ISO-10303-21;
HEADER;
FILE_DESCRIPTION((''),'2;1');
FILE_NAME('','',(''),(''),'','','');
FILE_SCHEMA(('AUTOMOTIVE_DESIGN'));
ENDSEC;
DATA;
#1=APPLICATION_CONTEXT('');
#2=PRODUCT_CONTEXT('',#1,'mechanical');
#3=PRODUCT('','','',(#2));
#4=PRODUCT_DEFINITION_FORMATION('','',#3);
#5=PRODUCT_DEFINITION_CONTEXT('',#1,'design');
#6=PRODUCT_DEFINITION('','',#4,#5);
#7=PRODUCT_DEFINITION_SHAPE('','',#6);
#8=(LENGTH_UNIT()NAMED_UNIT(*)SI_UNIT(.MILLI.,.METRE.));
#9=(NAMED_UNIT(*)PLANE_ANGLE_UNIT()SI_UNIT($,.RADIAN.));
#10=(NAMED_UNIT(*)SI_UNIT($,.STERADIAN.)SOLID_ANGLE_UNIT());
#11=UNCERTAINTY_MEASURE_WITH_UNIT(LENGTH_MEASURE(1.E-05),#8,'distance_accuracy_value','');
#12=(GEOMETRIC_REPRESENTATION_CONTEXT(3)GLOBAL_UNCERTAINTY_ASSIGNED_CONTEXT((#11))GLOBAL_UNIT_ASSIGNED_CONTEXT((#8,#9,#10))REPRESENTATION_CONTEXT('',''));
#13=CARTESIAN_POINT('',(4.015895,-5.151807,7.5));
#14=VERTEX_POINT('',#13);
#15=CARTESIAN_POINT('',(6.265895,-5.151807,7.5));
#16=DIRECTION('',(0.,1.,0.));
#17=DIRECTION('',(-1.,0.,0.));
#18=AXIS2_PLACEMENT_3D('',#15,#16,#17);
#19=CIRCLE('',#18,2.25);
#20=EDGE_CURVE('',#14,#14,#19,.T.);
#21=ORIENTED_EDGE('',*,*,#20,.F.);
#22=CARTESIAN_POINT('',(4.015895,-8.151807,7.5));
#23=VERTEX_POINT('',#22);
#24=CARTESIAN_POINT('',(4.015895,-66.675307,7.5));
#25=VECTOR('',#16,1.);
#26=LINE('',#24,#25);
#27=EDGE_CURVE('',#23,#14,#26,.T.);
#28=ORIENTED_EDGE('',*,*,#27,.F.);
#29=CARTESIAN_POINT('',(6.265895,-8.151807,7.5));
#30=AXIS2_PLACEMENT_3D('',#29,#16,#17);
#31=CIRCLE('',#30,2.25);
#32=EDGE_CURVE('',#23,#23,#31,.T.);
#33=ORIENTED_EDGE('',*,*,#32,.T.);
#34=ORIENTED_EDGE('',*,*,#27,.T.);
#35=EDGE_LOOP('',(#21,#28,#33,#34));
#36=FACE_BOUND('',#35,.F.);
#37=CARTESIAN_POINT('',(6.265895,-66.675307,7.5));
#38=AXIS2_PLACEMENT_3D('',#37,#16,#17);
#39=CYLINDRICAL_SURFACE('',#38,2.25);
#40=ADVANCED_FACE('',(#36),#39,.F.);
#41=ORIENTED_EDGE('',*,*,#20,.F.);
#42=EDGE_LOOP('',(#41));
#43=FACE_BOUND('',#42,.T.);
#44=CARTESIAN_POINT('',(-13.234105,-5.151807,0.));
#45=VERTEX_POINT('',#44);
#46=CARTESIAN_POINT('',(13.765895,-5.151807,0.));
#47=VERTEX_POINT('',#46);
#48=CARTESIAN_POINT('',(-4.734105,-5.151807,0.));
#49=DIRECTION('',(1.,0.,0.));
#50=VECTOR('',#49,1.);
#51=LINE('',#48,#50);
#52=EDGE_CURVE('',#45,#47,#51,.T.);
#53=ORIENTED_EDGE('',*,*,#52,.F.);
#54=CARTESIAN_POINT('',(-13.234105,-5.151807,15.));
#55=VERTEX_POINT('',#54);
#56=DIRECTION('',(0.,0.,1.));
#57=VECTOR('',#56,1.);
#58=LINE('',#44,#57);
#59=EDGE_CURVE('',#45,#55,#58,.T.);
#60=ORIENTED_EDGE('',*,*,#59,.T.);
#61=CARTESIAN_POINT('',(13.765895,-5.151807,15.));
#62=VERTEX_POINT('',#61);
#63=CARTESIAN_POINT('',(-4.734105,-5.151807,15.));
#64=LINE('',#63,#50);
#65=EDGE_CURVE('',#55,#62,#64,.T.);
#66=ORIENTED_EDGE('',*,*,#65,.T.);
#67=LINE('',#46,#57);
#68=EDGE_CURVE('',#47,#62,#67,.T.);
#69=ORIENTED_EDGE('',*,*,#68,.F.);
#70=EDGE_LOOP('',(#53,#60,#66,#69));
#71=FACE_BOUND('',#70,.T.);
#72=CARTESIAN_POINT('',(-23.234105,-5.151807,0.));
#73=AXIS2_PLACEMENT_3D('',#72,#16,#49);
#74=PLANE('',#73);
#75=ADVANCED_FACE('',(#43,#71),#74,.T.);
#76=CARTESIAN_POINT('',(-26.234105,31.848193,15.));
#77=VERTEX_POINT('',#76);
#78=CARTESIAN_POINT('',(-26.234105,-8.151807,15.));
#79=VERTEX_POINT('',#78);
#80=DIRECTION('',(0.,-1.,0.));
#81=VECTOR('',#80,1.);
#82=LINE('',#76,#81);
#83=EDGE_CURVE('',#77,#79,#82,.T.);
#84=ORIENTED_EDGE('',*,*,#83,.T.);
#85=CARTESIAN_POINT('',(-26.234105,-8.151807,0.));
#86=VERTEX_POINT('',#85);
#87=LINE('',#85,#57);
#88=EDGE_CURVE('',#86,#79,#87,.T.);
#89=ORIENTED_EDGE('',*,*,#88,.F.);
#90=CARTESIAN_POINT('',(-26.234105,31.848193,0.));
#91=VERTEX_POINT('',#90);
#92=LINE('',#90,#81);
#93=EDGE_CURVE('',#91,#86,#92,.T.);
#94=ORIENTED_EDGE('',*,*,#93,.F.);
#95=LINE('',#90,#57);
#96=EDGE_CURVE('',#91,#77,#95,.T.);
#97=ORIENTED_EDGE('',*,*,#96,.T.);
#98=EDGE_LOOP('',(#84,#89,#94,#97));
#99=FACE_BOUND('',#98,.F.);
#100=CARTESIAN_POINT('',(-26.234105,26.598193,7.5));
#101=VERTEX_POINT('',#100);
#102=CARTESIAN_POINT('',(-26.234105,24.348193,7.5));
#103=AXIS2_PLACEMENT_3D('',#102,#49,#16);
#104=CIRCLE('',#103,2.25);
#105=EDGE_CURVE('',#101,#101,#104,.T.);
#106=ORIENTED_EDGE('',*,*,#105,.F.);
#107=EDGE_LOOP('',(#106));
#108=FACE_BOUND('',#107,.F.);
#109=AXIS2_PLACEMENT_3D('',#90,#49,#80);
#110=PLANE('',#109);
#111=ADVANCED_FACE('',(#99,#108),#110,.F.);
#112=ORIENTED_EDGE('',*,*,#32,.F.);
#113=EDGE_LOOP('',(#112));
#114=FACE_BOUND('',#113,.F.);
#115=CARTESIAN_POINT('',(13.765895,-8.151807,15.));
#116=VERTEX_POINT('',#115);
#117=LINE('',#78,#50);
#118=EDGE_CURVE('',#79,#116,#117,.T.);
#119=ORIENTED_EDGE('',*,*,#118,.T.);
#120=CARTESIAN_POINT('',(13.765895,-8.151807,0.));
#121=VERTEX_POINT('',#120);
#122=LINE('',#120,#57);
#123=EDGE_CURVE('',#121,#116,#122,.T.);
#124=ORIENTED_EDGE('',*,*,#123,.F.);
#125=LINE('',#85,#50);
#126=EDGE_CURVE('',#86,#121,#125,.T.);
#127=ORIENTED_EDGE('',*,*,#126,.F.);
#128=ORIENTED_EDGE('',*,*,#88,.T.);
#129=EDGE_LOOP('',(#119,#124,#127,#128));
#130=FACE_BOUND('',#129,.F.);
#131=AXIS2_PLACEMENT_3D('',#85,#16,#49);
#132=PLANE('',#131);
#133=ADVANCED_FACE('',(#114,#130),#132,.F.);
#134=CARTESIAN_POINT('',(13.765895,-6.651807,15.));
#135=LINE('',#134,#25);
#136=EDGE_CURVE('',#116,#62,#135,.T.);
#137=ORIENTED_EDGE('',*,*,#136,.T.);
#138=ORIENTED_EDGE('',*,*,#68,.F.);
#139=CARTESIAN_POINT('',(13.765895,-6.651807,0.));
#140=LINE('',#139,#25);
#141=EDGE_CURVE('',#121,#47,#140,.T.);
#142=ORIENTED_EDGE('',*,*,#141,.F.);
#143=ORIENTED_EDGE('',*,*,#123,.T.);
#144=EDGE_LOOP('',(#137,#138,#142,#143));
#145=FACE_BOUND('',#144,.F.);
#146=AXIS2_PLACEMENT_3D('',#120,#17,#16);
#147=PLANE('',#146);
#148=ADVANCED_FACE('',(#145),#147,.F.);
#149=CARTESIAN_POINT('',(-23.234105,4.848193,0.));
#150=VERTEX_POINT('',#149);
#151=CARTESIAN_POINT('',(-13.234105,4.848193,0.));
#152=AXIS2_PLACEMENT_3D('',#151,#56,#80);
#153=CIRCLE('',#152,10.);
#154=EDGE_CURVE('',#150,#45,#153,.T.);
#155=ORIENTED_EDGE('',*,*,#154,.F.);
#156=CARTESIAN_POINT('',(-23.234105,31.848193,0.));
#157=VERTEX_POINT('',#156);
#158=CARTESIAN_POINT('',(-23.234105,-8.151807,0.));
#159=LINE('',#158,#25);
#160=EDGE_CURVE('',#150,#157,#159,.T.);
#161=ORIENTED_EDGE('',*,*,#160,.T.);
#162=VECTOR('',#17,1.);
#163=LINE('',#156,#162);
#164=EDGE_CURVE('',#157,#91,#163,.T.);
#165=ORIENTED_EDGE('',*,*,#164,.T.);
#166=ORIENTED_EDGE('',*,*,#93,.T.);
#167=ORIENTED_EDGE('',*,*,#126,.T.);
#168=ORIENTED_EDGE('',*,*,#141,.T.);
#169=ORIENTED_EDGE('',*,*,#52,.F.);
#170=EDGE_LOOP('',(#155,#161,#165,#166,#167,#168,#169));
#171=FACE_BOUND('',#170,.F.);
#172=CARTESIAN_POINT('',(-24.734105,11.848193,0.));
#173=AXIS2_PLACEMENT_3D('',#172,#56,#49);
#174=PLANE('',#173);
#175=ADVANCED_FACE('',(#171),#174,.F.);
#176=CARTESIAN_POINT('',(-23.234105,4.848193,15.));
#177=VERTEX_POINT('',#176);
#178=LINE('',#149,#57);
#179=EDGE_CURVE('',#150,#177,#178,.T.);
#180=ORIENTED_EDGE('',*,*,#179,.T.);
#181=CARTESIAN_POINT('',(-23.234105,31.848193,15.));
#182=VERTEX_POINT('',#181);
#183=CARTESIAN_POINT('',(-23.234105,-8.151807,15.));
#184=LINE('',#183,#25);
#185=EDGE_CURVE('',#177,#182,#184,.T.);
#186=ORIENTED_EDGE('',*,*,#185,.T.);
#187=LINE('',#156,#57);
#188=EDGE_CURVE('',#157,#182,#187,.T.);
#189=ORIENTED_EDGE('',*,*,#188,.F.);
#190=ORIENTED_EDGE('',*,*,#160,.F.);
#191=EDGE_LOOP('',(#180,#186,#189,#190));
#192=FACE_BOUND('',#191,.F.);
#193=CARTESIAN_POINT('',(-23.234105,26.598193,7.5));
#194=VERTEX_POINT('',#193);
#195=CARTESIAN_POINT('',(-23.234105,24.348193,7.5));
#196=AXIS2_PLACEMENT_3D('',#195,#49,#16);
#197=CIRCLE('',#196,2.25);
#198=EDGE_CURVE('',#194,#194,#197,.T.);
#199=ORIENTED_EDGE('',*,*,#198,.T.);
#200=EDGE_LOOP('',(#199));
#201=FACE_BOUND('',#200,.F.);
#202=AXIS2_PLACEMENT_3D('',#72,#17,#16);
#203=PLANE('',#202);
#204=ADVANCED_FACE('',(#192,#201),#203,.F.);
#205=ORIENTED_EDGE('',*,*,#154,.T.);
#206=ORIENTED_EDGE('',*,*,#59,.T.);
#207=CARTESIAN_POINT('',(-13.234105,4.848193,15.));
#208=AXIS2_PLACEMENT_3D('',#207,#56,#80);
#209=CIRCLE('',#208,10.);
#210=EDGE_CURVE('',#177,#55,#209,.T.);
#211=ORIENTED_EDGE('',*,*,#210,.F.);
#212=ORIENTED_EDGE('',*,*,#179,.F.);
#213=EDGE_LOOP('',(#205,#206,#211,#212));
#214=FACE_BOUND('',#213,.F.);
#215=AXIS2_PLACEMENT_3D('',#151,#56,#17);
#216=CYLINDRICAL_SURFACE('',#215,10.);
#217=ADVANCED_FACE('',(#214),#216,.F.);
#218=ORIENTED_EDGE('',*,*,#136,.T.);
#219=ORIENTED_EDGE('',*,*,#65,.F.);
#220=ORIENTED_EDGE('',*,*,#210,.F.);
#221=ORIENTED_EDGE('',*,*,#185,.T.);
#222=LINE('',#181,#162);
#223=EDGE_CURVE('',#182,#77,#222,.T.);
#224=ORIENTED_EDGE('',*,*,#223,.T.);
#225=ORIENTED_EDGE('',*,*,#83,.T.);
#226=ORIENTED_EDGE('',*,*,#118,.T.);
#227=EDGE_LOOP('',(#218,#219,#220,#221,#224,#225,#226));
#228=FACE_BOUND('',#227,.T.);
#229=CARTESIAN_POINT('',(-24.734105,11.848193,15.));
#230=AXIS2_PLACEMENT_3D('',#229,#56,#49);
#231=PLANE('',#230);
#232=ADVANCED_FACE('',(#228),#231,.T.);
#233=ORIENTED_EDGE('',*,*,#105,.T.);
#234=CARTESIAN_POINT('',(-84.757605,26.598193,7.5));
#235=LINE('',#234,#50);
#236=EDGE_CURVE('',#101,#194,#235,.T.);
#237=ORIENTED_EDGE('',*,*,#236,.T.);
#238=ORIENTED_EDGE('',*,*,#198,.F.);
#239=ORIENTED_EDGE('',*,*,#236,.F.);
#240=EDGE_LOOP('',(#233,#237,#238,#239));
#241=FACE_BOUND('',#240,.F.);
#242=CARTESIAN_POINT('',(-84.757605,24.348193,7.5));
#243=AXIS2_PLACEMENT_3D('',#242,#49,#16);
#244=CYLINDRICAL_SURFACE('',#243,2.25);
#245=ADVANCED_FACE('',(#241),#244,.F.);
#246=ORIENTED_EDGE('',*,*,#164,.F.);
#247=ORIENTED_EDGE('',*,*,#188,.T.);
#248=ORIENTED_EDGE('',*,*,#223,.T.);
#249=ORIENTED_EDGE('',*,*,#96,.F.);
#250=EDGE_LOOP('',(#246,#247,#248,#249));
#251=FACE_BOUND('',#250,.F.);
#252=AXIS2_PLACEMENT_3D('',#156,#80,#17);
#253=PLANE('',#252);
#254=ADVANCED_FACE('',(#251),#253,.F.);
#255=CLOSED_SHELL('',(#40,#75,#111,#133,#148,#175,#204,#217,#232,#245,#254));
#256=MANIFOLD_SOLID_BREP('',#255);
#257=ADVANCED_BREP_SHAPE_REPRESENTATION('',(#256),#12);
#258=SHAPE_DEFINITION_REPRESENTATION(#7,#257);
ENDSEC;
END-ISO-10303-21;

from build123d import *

# Parameters (mm, degrees)
F0_W     = 37
F0_H     = 3
F1_DEPTH = 15
F6_D     = 4.5
F7_D     = 4.5
F5_R     = 10


with BuildPart() as f1:
    # F0 (on Top) → F1 (new body)
    with BuildSketch(Plane.XY):
        Polygon((-23.234105, 31.848193), (-26.234105, 31.848193), (-26.234105, -8.151807), (-23.234105, -8.151807), (-23.234105, -5.151807), align=None)
        with Locations((-4.734105, -6.651807)):
            Rectangle(F0_W, F0_H)
    extrude(amount=F1_DEPTH)

    # F6 (through all)
    with Locations(Plane(origin=(-26.234105, 0, 0), x_dir=(0, -1, 0), z_dir=(-1, 0, 0))):
        with Locations((-24.348193, 7.5)):
            Hole(F6_D / 2)

    # F7 (through all)
    with Locations(Plane.XZ.offset(8.151807)):
        with Locations((6.265895, 7.5)):
            Hole(F7_D / 2)

    # F5
    f5_edges = [f1.edges().sort_by_distance(p)[0] for p in [
        (-23.234105, -5.151807, 7.5),
    ]]
    fillet(f5_edges, radius=F5_R)


solid = f1.part
